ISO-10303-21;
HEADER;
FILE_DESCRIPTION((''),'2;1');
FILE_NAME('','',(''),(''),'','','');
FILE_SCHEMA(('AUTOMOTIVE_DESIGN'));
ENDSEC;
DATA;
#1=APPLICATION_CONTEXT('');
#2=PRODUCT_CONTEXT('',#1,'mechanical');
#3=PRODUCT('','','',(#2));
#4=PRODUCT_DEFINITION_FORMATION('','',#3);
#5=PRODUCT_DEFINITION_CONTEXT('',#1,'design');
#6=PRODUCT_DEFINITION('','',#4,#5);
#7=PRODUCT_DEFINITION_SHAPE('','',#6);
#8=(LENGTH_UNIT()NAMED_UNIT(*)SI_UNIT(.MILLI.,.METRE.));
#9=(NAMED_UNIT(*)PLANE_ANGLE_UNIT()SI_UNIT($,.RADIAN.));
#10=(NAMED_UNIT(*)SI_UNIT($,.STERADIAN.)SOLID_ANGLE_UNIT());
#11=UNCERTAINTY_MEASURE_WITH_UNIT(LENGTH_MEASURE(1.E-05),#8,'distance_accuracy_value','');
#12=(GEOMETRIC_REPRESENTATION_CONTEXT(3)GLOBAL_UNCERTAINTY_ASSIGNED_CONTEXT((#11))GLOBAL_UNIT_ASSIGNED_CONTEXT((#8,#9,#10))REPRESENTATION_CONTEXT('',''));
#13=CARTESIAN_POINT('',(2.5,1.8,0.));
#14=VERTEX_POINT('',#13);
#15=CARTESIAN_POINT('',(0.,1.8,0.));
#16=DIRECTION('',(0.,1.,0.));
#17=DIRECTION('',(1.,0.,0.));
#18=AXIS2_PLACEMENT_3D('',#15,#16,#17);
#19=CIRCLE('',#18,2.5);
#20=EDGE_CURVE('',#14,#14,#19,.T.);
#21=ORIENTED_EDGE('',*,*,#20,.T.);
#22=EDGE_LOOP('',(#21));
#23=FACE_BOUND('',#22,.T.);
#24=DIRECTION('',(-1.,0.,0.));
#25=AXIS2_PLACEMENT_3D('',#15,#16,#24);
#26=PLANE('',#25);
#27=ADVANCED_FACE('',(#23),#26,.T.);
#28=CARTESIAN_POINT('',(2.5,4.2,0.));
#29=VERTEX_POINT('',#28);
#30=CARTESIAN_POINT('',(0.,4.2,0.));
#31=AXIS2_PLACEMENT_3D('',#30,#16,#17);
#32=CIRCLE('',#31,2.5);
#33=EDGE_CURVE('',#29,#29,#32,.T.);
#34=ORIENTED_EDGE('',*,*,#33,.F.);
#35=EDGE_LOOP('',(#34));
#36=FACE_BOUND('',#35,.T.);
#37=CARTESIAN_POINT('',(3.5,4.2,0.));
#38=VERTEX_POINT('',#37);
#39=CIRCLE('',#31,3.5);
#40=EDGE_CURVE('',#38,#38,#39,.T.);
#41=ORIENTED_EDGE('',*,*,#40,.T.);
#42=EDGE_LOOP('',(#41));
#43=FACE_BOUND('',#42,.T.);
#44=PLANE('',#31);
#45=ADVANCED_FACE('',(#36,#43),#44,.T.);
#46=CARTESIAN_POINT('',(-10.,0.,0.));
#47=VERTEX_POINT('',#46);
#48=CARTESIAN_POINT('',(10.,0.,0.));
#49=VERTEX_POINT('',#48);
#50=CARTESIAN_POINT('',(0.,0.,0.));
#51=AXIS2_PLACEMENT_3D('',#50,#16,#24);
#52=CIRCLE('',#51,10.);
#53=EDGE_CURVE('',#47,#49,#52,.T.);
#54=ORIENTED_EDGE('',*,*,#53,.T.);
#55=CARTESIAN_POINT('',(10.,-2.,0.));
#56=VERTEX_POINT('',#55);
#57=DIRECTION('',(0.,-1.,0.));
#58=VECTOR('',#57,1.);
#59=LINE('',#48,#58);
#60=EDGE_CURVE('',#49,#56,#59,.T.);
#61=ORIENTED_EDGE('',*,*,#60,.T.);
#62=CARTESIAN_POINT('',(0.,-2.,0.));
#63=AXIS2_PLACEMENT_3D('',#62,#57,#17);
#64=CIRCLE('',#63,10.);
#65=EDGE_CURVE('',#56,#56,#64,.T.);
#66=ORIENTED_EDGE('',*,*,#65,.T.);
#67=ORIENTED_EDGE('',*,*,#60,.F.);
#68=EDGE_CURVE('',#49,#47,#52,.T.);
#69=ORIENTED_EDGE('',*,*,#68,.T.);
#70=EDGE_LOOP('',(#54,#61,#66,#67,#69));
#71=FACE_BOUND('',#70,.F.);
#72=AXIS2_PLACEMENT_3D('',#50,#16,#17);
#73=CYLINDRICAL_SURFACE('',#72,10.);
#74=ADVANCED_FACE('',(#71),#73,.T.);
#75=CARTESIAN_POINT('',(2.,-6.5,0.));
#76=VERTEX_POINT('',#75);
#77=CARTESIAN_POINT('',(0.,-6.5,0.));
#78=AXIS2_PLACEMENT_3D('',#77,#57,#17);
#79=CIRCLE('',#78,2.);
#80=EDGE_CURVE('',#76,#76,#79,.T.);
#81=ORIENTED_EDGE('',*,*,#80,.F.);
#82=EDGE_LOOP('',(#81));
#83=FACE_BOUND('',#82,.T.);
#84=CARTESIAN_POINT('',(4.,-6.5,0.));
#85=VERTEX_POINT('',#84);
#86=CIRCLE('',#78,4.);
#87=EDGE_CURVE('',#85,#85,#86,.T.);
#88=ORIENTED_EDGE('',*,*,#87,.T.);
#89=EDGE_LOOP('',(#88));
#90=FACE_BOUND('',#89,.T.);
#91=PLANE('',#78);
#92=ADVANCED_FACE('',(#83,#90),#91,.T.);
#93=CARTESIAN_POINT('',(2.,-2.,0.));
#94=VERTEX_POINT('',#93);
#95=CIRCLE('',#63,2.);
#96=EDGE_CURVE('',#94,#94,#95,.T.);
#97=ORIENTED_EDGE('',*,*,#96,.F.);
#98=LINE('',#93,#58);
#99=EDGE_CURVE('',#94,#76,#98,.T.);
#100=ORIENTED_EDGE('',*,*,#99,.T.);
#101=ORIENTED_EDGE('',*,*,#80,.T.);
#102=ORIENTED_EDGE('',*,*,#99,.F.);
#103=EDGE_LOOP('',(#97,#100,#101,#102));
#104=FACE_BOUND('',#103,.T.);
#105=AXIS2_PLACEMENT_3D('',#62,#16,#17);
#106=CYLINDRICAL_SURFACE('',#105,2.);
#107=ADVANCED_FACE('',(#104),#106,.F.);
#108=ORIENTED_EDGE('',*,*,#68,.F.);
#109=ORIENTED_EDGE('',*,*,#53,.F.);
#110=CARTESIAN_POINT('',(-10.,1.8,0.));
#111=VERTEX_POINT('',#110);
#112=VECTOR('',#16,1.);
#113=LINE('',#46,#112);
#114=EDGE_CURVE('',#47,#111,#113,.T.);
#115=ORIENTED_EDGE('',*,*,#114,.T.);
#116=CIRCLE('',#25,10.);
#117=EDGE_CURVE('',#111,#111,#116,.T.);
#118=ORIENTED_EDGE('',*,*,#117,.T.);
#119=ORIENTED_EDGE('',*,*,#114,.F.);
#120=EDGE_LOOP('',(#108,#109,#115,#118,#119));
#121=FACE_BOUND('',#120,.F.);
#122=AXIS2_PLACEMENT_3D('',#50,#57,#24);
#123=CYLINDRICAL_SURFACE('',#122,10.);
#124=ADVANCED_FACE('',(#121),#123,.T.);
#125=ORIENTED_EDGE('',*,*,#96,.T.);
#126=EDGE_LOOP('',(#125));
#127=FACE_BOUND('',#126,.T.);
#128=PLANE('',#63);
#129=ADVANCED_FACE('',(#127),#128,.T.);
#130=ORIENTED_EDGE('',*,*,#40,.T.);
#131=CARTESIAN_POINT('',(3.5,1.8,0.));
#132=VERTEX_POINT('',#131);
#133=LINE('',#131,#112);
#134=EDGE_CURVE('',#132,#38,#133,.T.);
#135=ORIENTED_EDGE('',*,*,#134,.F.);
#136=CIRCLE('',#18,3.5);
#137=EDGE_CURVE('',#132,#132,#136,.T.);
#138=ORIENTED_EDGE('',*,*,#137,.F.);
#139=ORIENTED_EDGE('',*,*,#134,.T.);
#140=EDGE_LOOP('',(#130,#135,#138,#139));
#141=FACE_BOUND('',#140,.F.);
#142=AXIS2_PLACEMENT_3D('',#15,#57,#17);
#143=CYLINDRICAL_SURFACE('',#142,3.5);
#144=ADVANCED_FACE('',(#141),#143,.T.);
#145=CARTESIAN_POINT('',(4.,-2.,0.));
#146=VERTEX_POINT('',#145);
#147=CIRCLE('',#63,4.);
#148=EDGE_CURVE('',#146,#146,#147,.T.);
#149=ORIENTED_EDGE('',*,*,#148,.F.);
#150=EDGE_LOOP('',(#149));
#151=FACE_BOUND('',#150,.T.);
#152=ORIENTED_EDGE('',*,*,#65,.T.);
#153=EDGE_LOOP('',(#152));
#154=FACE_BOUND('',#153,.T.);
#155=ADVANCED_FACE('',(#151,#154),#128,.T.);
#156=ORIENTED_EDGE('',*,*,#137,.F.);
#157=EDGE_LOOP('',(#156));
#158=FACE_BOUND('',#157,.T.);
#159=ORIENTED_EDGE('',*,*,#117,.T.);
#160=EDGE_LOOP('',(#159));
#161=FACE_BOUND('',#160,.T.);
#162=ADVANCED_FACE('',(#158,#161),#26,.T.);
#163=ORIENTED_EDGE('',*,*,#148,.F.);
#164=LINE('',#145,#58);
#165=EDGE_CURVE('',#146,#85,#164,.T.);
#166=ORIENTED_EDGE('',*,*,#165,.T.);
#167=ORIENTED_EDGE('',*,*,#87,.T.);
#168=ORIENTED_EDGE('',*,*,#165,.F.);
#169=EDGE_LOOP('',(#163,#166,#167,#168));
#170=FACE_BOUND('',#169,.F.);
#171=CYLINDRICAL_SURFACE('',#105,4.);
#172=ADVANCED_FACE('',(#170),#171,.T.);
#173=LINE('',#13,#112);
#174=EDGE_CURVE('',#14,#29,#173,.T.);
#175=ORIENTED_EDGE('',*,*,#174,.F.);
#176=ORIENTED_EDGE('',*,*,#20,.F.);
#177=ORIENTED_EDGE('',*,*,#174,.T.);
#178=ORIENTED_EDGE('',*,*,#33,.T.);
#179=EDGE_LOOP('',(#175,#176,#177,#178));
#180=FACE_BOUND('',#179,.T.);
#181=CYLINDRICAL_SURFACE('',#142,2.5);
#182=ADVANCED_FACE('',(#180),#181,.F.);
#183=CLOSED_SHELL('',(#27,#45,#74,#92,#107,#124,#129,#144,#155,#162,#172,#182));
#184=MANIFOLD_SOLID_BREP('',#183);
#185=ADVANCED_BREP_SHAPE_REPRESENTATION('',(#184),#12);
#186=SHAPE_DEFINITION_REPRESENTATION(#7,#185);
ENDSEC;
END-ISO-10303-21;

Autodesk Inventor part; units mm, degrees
ref_plane "YZ Plane" through (0, 0, 0) normal (1, 0, 0) x (0, 1, 0)
ref_plane "XZ Plane" through (0, 0, 0) normal (0, 1, 0) x (-1, 0, 0)
ref_plane "XY Plane" through (0, 0, 0) normal (0, 0, 1) x (1, 0, 0)
sketch "Sketch1" plane through (0, 0, 0) normal (0, 1, 0) x (-1, 0, 0)
  circle A0 centre (0, 0) radius 10
  dimension "d0" = 20
extrude "Extrusion1" add sketch "Sketch1" along normal blind 1.8
sketch "Sketch3" plane through (0, 1.8, 0) normal (0, 1, 0) x (1, 0, 0)
  circle A0 centre (0, 0) radius 10 projected
  circle A1 centre (0, 0) radius 3.5
  circle A2 centre (0, 0) radius 2.5
  dimension "d3" = 7
  dimension "d4" = 5
extrude "Extrusion2" add sketch "Sketch3" along normal blind 2.4 contours A1
sketch "Sketch4" plane through (0, 0, 0) normal (0, -1, 0) x (1, 0, 0)
  circle A0 centre (0, 0) radius 10 projected
  line L0 (0, 0) -> (6.3, 0)
  circle A1 centre (6.3, 0) radius 1.5
  dimension "d7" = 6.3
  dimension "d8" = 3
extrude "Extrusion3" cut sketch "Sketch4" against normal blind 2.4 contours A1
sketch "Sketch5" plane through (0, 0, 0) normal (0, -1, 0) x (1, 0, 0)
  circle A0 centre (0, 0) radius 10 projected
  line L0 (0, 0) -> (-6.3, 0)
  circle A1 centre (-6.3, 0) radius 1.5
  dimension "d11" = 6.3
  dimension "d12" = 3
extrude "Extrusion4" cut sketch "Sketch5" against normal blind 2 contours A1
sketch "Sketch6" plane through (0, 0, 0) normal (0, -1, 0) x (1, 0, 0)
  circle A0 centre (-6.3, 0) radius 1.5 projected
  circle A1 centre (6.3, 0) radius 1.5 projected
extrude "Extrusion5" add sketch "Sketch6" against normal blind 1.8
sketch "Sketch7" plane through (0, 0, 0) normal (0, -1, 0) x (1, 0, 0)
  circle A0 centre (0, 0) radius 10 projected
extrude "Extrusion6" add sketch "Sketch7" along normal blind 2
sketch "Sketch8" plane through (0, -2, 0) normal (0, -1, 0) x (1, 0, 0)
  circle A0 centre (0, 0) radius 10 projected
  circle A1 centre (0, 0) radius 4
  circle A2 centre (0, 0) radius 2
  dimension "d19" = 8
  dimension "d20" = 4
extrude "Extrusion7" add sketch "Sketch8" along normal blind 4.5 contours A1
properties part number "otaceni_packy_microservo"
